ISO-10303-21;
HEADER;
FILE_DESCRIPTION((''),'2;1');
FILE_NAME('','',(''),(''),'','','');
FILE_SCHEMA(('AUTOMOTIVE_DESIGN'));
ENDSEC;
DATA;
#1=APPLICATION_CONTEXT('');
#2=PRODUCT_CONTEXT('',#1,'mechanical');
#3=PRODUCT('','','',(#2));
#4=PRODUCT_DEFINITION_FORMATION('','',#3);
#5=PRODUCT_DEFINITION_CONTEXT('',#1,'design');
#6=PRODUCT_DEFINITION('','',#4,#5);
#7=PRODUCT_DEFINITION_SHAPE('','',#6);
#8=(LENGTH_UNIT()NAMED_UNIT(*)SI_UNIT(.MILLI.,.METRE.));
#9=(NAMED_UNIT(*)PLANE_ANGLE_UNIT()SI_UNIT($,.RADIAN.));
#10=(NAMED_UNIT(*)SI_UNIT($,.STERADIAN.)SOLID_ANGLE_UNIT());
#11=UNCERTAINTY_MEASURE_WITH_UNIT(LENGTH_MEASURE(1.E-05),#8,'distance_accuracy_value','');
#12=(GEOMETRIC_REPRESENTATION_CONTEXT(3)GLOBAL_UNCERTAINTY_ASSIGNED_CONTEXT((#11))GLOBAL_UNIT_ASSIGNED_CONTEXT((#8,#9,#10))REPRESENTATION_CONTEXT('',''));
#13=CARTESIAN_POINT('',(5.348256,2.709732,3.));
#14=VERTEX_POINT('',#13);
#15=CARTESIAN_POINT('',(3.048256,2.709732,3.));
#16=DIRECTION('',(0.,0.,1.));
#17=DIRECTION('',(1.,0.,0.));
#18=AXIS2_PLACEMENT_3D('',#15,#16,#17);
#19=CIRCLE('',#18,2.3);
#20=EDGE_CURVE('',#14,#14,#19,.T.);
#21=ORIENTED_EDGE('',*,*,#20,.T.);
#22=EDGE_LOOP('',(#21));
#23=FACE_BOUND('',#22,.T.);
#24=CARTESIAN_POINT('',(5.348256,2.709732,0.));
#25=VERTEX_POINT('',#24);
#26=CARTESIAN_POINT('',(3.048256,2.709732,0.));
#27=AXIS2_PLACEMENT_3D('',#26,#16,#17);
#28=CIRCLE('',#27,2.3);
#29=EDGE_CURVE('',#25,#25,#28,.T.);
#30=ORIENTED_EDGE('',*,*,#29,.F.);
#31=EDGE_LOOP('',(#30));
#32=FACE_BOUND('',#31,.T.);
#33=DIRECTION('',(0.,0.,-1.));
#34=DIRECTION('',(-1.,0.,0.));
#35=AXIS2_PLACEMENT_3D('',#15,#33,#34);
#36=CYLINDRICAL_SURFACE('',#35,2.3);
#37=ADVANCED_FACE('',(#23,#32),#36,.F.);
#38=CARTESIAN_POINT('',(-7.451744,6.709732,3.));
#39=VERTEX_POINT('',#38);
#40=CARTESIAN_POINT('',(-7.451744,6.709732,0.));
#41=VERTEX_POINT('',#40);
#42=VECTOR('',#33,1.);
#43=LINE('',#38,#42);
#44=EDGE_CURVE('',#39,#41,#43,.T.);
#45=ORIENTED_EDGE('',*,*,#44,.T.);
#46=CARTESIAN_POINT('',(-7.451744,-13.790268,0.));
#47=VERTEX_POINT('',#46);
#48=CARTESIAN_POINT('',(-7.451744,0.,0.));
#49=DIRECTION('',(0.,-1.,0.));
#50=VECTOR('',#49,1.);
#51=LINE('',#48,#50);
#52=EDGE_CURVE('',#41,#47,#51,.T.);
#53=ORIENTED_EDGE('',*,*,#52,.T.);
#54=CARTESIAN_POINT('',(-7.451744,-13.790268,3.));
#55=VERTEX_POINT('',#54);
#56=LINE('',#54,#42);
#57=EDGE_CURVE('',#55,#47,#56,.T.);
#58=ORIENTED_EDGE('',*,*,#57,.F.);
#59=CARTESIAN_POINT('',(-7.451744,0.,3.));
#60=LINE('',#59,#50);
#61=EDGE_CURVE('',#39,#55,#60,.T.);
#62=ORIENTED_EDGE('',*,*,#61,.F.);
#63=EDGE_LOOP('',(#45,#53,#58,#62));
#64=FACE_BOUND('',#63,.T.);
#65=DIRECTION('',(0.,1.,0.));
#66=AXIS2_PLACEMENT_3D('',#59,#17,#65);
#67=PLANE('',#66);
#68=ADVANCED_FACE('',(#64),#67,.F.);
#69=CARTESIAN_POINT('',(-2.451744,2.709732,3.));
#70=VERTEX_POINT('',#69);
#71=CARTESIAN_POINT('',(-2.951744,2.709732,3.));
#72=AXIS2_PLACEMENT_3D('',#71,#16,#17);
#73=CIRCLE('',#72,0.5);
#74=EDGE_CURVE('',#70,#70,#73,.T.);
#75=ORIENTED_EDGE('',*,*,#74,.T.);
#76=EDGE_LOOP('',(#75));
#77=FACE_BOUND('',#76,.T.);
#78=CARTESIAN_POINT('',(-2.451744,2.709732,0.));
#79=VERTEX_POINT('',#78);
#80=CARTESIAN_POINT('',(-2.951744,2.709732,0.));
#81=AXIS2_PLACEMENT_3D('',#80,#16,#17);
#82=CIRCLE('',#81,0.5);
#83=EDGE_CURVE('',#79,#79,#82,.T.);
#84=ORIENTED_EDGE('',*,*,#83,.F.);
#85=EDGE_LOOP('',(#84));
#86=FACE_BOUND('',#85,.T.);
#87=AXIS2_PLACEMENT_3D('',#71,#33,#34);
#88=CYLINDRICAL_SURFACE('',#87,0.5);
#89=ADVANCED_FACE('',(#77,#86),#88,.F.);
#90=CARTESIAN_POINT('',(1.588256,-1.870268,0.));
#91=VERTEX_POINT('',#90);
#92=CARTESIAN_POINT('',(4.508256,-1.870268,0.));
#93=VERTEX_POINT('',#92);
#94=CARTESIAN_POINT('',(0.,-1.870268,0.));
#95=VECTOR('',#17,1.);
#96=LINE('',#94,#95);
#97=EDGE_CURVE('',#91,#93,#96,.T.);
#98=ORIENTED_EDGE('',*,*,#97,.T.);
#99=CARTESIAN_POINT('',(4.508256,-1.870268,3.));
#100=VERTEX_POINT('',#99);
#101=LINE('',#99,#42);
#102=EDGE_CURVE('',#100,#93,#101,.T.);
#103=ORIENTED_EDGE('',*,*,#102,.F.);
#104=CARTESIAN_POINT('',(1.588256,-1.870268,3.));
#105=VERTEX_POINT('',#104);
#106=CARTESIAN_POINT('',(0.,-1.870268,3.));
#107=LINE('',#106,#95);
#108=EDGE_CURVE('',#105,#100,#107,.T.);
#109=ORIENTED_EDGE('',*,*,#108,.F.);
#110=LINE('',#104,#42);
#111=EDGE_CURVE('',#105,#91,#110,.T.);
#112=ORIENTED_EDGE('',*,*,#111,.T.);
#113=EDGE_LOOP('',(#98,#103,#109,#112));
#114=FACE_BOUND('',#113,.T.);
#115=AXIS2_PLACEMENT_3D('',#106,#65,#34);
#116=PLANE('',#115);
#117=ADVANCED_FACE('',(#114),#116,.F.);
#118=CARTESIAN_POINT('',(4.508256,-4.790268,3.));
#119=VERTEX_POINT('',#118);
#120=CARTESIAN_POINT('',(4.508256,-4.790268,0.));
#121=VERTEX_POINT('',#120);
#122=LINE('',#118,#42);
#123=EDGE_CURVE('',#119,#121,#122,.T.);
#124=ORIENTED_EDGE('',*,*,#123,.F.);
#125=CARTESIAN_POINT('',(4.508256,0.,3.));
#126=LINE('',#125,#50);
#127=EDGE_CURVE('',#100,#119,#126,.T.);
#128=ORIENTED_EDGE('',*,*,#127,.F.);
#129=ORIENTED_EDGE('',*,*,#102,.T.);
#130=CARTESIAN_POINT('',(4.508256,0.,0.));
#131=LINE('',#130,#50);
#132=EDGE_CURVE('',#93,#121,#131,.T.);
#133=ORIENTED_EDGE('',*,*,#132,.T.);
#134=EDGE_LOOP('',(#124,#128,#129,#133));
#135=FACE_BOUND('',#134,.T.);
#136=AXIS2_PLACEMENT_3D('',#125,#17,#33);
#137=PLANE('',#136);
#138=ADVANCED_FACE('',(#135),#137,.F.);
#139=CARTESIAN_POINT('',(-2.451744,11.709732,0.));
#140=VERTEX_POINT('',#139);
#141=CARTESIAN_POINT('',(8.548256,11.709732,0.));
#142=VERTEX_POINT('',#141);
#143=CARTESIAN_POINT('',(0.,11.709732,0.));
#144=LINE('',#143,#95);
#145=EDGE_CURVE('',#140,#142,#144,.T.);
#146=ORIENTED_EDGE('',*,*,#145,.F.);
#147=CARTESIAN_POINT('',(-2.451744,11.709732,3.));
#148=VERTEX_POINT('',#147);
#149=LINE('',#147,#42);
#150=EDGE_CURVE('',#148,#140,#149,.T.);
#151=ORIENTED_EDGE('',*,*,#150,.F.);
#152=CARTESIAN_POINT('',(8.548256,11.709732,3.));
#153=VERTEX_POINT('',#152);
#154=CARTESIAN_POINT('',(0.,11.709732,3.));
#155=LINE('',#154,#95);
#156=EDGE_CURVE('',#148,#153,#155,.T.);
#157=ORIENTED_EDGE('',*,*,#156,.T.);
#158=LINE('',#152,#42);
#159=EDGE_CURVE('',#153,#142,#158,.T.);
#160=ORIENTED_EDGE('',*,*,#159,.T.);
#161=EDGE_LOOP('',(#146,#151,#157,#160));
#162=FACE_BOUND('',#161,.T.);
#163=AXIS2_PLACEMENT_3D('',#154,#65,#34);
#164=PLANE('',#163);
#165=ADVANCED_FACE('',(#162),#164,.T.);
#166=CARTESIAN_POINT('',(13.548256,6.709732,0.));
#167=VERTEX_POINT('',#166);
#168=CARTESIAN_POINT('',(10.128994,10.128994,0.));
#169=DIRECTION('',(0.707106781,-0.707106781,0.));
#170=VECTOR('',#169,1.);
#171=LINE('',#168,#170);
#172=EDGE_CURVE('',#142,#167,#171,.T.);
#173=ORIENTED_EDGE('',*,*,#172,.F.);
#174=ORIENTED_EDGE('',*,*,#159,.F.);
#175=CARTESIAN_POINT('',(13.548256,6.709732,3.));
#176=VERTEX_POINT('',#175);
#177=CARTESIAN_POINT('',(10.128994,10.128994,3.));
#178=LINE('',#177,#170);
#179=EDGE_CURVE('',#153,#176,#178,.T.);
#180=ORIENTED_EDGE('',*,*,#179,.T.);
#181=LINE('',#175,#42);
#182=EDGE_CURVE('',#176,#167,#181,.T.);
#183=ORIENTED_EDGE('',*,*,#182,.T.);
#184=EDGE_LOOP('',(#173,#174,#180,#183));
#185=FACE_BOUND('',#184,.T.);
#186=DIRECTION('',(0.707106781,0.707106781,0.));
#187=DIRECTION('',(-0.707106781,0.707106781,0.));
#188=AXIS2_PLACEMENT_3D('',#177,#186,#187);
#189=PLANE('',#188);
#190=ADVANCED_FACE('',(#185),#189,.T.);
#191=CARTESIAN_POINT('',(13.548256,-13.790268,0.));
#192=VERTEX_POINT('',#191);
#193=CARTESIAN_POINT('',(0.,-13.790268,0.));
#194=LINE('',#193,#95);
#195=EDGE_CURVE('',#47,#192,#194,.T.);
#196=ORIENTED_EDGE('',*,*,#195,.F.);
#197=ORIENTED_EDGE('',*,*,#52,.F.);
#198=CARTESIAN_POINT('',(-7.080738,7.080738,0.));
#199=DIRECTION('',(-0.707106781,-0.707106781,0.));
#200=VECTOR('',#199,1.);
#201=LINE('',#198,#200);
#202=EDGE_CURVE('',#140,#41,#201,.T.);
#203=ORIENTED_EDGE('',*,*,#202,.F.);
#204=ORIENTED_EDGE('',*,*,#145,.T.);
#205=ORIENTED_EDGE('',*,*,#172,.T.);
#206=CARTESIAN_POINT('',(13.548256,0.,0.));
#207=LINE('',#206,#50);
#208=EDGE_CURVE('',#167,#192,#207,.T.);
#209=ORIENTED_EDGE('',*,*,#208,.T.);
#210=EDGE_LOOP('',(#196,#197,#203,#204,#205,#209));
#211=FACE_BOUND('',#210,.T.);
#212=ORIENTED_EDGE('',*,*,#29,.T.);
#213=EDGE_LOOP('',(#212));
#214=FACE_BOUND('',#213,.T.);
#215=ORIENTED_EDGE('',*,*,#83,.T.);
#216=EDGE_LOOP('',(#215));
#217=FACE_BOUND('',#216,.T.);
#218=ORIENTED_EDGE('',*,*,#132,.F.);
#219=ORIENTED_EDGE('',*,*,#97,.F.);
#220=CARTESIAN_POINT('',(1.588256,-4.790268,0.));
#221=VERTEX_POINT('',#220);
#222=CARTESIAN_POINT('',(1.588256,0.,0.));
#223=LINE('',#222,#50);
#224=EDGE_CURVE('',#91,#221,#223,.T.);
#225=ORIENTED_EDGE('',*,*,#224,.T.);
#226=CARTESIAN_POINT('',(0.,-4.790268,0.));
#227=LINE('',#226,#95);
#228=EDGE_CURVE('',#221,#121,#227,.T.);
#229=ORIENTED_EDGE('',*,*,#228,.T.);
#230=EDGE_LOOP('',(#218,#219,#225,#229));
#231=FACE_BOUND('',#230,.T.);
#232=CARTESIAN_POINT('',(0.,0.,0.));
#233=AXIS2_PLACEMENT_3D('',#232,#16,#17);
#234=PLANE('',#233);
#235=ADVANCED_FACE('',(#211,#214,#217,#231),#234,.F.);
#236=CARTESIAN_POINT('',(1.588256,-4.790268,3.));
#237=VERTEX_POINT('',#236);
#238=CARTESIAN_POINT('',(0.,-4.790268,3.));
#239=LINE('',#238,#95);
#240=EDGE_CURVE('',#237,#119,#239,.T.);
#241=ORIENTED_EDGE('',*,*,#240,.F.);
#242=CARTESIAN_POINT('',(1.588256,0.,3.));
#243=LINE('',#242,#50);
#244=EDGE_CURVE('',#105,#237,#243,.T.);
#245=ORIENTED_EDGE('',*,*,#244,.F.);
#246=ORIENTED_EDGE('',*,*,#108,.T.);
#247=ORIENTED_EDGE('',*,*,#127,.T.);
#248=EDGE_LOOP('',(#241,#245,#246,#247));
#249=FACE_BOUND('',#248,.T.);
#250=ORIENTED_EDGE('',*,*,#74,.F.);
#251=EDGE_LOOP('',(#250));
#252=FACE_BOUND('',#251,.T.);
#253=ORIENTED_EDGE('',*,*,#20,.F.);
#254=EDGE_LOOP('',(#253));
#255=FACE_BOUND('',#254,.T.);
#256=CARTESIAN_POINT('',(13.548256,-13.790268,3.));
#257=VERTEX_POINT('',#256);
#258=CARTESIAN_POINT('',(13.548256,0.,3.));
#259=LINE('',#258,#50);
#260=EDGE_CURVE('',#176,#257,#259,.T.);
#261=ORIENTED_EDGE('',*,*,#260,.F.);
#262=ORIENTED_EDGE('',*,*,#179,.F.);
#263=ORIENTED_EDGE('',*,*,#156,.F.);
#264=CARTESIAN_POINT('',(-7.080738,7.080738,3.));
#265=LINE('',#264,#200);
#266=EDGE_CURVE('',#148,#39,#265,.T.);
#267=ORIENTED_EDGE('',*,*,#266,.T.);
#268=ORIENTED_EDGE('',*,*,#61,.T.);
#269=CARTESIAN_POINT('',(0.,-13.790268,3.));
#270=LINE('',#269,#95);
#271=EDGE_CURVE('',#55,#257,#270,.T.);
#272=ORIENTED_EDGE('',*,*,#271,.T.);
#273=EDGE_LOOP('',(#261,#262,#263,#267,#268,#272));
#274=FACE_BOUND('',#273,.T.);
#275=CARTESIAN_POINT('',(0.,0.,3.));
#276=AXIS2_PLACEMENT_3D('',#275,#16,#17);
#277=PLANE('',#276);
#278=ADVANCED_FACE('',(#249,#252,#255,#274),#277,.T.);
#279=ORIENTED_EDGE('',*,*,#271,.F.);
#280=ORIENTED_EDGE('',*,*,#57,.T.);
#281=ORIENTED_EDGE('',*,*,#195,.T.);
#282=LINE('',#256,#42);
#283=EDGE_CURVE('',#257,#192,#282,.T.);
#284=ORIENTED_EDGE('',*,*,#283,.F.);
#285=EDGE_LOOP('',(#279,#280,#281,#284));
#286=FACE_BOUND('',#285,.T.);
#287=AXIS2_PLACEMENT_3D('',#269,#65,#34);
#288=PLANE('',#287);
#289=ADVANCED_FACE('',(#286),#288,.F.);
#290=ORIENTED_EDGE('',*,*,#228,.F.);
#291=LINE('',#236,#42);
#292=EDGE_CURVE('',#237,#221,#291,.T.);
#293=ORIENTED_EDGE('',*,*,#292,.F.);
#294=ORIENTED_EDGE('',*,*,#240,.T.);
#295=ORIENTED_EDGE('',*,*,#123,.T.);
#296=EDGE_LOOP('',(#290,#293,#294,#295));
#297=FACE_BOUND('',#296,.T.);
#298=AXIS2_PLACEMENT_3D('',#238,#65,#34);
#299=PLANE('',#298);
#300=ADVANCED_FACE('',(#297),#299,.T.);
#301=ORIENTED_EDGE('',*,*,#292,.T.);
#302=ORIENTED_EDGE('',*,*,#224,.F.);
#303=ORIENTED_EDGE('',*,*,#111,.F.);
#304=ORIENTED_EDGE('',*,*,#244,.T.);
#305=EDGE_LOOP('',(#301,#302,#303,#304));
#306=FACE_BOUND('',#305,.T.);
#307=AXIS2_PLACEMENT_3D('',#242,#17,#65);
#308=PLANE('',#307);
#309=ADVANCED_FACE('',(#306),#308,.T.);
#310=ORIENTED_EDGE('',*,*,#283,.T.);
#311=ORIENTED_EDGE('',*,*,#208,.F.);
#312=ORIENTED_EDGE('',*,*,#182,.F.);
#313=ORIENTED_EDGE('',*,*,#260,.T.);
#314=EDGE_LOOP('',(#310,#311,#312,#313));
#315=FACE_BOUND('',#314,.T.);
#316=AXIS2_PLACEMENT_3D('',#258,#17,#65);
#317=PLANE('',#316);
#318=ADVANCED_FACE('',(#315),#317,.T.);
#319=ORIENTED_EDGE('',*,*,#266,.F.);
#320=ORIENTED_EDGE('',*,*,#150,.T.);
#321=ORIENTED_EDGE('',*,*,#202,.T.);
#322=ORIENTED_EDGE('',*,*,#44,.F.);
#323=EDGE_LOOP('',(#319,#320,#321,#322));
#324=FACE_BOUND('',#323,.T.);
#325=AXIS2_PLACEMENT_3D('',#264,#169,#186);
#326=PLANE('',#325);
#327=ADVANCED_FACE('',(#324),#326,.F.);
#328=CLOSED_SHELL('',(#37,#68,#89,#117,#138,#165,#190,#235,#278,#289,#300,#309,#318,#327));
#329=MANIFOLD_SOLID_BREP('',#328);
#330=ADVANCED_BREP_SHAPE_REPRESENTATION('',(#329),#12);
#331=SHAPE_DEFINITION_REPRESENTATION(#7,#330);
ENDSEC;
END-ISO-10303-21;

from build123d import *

# Parameters (mm, degrees)
SKETCH1_W           = 2.92
SKETCH1_H           = 2.92
SKETCH1_R           = 0.5
SKETCH1_R_2         = 2.3
BOSS_EXTRUDE1_DEPTH = 3


with BuildPart() as part:
    # Sketch1 → Boss-Extrude1 (new body)
    with BuildSketch(Plane.XY):
        Polygon((13.5482559, 6.709731544), (8.5482559, 11.709731544), (-2.4517441, 11.709731544), (-7.4517441, 6.709731544), (-7.4517441, -13.790268456), (13.5482559, -13.790268456), align=None)
        with Locations((3.0482559, -3.330268456)):
            Rectangle(SKETCH1_W, SKETCH1_H, mode=Mode.SUBTRACT)
        with Locations((-2.9517441, 2.709731544)):
            Circle(SKETCH1_R, mode=Mode.SUBTRACT)
        with Locations((3.0482559, 2.709731544)):
            Circle(SKETCH1_R_2, mode=Mode.SUBTRACT)
    extrude(amount=BOSS_EXTRUDE1_DEPTH)


solid = part.part
